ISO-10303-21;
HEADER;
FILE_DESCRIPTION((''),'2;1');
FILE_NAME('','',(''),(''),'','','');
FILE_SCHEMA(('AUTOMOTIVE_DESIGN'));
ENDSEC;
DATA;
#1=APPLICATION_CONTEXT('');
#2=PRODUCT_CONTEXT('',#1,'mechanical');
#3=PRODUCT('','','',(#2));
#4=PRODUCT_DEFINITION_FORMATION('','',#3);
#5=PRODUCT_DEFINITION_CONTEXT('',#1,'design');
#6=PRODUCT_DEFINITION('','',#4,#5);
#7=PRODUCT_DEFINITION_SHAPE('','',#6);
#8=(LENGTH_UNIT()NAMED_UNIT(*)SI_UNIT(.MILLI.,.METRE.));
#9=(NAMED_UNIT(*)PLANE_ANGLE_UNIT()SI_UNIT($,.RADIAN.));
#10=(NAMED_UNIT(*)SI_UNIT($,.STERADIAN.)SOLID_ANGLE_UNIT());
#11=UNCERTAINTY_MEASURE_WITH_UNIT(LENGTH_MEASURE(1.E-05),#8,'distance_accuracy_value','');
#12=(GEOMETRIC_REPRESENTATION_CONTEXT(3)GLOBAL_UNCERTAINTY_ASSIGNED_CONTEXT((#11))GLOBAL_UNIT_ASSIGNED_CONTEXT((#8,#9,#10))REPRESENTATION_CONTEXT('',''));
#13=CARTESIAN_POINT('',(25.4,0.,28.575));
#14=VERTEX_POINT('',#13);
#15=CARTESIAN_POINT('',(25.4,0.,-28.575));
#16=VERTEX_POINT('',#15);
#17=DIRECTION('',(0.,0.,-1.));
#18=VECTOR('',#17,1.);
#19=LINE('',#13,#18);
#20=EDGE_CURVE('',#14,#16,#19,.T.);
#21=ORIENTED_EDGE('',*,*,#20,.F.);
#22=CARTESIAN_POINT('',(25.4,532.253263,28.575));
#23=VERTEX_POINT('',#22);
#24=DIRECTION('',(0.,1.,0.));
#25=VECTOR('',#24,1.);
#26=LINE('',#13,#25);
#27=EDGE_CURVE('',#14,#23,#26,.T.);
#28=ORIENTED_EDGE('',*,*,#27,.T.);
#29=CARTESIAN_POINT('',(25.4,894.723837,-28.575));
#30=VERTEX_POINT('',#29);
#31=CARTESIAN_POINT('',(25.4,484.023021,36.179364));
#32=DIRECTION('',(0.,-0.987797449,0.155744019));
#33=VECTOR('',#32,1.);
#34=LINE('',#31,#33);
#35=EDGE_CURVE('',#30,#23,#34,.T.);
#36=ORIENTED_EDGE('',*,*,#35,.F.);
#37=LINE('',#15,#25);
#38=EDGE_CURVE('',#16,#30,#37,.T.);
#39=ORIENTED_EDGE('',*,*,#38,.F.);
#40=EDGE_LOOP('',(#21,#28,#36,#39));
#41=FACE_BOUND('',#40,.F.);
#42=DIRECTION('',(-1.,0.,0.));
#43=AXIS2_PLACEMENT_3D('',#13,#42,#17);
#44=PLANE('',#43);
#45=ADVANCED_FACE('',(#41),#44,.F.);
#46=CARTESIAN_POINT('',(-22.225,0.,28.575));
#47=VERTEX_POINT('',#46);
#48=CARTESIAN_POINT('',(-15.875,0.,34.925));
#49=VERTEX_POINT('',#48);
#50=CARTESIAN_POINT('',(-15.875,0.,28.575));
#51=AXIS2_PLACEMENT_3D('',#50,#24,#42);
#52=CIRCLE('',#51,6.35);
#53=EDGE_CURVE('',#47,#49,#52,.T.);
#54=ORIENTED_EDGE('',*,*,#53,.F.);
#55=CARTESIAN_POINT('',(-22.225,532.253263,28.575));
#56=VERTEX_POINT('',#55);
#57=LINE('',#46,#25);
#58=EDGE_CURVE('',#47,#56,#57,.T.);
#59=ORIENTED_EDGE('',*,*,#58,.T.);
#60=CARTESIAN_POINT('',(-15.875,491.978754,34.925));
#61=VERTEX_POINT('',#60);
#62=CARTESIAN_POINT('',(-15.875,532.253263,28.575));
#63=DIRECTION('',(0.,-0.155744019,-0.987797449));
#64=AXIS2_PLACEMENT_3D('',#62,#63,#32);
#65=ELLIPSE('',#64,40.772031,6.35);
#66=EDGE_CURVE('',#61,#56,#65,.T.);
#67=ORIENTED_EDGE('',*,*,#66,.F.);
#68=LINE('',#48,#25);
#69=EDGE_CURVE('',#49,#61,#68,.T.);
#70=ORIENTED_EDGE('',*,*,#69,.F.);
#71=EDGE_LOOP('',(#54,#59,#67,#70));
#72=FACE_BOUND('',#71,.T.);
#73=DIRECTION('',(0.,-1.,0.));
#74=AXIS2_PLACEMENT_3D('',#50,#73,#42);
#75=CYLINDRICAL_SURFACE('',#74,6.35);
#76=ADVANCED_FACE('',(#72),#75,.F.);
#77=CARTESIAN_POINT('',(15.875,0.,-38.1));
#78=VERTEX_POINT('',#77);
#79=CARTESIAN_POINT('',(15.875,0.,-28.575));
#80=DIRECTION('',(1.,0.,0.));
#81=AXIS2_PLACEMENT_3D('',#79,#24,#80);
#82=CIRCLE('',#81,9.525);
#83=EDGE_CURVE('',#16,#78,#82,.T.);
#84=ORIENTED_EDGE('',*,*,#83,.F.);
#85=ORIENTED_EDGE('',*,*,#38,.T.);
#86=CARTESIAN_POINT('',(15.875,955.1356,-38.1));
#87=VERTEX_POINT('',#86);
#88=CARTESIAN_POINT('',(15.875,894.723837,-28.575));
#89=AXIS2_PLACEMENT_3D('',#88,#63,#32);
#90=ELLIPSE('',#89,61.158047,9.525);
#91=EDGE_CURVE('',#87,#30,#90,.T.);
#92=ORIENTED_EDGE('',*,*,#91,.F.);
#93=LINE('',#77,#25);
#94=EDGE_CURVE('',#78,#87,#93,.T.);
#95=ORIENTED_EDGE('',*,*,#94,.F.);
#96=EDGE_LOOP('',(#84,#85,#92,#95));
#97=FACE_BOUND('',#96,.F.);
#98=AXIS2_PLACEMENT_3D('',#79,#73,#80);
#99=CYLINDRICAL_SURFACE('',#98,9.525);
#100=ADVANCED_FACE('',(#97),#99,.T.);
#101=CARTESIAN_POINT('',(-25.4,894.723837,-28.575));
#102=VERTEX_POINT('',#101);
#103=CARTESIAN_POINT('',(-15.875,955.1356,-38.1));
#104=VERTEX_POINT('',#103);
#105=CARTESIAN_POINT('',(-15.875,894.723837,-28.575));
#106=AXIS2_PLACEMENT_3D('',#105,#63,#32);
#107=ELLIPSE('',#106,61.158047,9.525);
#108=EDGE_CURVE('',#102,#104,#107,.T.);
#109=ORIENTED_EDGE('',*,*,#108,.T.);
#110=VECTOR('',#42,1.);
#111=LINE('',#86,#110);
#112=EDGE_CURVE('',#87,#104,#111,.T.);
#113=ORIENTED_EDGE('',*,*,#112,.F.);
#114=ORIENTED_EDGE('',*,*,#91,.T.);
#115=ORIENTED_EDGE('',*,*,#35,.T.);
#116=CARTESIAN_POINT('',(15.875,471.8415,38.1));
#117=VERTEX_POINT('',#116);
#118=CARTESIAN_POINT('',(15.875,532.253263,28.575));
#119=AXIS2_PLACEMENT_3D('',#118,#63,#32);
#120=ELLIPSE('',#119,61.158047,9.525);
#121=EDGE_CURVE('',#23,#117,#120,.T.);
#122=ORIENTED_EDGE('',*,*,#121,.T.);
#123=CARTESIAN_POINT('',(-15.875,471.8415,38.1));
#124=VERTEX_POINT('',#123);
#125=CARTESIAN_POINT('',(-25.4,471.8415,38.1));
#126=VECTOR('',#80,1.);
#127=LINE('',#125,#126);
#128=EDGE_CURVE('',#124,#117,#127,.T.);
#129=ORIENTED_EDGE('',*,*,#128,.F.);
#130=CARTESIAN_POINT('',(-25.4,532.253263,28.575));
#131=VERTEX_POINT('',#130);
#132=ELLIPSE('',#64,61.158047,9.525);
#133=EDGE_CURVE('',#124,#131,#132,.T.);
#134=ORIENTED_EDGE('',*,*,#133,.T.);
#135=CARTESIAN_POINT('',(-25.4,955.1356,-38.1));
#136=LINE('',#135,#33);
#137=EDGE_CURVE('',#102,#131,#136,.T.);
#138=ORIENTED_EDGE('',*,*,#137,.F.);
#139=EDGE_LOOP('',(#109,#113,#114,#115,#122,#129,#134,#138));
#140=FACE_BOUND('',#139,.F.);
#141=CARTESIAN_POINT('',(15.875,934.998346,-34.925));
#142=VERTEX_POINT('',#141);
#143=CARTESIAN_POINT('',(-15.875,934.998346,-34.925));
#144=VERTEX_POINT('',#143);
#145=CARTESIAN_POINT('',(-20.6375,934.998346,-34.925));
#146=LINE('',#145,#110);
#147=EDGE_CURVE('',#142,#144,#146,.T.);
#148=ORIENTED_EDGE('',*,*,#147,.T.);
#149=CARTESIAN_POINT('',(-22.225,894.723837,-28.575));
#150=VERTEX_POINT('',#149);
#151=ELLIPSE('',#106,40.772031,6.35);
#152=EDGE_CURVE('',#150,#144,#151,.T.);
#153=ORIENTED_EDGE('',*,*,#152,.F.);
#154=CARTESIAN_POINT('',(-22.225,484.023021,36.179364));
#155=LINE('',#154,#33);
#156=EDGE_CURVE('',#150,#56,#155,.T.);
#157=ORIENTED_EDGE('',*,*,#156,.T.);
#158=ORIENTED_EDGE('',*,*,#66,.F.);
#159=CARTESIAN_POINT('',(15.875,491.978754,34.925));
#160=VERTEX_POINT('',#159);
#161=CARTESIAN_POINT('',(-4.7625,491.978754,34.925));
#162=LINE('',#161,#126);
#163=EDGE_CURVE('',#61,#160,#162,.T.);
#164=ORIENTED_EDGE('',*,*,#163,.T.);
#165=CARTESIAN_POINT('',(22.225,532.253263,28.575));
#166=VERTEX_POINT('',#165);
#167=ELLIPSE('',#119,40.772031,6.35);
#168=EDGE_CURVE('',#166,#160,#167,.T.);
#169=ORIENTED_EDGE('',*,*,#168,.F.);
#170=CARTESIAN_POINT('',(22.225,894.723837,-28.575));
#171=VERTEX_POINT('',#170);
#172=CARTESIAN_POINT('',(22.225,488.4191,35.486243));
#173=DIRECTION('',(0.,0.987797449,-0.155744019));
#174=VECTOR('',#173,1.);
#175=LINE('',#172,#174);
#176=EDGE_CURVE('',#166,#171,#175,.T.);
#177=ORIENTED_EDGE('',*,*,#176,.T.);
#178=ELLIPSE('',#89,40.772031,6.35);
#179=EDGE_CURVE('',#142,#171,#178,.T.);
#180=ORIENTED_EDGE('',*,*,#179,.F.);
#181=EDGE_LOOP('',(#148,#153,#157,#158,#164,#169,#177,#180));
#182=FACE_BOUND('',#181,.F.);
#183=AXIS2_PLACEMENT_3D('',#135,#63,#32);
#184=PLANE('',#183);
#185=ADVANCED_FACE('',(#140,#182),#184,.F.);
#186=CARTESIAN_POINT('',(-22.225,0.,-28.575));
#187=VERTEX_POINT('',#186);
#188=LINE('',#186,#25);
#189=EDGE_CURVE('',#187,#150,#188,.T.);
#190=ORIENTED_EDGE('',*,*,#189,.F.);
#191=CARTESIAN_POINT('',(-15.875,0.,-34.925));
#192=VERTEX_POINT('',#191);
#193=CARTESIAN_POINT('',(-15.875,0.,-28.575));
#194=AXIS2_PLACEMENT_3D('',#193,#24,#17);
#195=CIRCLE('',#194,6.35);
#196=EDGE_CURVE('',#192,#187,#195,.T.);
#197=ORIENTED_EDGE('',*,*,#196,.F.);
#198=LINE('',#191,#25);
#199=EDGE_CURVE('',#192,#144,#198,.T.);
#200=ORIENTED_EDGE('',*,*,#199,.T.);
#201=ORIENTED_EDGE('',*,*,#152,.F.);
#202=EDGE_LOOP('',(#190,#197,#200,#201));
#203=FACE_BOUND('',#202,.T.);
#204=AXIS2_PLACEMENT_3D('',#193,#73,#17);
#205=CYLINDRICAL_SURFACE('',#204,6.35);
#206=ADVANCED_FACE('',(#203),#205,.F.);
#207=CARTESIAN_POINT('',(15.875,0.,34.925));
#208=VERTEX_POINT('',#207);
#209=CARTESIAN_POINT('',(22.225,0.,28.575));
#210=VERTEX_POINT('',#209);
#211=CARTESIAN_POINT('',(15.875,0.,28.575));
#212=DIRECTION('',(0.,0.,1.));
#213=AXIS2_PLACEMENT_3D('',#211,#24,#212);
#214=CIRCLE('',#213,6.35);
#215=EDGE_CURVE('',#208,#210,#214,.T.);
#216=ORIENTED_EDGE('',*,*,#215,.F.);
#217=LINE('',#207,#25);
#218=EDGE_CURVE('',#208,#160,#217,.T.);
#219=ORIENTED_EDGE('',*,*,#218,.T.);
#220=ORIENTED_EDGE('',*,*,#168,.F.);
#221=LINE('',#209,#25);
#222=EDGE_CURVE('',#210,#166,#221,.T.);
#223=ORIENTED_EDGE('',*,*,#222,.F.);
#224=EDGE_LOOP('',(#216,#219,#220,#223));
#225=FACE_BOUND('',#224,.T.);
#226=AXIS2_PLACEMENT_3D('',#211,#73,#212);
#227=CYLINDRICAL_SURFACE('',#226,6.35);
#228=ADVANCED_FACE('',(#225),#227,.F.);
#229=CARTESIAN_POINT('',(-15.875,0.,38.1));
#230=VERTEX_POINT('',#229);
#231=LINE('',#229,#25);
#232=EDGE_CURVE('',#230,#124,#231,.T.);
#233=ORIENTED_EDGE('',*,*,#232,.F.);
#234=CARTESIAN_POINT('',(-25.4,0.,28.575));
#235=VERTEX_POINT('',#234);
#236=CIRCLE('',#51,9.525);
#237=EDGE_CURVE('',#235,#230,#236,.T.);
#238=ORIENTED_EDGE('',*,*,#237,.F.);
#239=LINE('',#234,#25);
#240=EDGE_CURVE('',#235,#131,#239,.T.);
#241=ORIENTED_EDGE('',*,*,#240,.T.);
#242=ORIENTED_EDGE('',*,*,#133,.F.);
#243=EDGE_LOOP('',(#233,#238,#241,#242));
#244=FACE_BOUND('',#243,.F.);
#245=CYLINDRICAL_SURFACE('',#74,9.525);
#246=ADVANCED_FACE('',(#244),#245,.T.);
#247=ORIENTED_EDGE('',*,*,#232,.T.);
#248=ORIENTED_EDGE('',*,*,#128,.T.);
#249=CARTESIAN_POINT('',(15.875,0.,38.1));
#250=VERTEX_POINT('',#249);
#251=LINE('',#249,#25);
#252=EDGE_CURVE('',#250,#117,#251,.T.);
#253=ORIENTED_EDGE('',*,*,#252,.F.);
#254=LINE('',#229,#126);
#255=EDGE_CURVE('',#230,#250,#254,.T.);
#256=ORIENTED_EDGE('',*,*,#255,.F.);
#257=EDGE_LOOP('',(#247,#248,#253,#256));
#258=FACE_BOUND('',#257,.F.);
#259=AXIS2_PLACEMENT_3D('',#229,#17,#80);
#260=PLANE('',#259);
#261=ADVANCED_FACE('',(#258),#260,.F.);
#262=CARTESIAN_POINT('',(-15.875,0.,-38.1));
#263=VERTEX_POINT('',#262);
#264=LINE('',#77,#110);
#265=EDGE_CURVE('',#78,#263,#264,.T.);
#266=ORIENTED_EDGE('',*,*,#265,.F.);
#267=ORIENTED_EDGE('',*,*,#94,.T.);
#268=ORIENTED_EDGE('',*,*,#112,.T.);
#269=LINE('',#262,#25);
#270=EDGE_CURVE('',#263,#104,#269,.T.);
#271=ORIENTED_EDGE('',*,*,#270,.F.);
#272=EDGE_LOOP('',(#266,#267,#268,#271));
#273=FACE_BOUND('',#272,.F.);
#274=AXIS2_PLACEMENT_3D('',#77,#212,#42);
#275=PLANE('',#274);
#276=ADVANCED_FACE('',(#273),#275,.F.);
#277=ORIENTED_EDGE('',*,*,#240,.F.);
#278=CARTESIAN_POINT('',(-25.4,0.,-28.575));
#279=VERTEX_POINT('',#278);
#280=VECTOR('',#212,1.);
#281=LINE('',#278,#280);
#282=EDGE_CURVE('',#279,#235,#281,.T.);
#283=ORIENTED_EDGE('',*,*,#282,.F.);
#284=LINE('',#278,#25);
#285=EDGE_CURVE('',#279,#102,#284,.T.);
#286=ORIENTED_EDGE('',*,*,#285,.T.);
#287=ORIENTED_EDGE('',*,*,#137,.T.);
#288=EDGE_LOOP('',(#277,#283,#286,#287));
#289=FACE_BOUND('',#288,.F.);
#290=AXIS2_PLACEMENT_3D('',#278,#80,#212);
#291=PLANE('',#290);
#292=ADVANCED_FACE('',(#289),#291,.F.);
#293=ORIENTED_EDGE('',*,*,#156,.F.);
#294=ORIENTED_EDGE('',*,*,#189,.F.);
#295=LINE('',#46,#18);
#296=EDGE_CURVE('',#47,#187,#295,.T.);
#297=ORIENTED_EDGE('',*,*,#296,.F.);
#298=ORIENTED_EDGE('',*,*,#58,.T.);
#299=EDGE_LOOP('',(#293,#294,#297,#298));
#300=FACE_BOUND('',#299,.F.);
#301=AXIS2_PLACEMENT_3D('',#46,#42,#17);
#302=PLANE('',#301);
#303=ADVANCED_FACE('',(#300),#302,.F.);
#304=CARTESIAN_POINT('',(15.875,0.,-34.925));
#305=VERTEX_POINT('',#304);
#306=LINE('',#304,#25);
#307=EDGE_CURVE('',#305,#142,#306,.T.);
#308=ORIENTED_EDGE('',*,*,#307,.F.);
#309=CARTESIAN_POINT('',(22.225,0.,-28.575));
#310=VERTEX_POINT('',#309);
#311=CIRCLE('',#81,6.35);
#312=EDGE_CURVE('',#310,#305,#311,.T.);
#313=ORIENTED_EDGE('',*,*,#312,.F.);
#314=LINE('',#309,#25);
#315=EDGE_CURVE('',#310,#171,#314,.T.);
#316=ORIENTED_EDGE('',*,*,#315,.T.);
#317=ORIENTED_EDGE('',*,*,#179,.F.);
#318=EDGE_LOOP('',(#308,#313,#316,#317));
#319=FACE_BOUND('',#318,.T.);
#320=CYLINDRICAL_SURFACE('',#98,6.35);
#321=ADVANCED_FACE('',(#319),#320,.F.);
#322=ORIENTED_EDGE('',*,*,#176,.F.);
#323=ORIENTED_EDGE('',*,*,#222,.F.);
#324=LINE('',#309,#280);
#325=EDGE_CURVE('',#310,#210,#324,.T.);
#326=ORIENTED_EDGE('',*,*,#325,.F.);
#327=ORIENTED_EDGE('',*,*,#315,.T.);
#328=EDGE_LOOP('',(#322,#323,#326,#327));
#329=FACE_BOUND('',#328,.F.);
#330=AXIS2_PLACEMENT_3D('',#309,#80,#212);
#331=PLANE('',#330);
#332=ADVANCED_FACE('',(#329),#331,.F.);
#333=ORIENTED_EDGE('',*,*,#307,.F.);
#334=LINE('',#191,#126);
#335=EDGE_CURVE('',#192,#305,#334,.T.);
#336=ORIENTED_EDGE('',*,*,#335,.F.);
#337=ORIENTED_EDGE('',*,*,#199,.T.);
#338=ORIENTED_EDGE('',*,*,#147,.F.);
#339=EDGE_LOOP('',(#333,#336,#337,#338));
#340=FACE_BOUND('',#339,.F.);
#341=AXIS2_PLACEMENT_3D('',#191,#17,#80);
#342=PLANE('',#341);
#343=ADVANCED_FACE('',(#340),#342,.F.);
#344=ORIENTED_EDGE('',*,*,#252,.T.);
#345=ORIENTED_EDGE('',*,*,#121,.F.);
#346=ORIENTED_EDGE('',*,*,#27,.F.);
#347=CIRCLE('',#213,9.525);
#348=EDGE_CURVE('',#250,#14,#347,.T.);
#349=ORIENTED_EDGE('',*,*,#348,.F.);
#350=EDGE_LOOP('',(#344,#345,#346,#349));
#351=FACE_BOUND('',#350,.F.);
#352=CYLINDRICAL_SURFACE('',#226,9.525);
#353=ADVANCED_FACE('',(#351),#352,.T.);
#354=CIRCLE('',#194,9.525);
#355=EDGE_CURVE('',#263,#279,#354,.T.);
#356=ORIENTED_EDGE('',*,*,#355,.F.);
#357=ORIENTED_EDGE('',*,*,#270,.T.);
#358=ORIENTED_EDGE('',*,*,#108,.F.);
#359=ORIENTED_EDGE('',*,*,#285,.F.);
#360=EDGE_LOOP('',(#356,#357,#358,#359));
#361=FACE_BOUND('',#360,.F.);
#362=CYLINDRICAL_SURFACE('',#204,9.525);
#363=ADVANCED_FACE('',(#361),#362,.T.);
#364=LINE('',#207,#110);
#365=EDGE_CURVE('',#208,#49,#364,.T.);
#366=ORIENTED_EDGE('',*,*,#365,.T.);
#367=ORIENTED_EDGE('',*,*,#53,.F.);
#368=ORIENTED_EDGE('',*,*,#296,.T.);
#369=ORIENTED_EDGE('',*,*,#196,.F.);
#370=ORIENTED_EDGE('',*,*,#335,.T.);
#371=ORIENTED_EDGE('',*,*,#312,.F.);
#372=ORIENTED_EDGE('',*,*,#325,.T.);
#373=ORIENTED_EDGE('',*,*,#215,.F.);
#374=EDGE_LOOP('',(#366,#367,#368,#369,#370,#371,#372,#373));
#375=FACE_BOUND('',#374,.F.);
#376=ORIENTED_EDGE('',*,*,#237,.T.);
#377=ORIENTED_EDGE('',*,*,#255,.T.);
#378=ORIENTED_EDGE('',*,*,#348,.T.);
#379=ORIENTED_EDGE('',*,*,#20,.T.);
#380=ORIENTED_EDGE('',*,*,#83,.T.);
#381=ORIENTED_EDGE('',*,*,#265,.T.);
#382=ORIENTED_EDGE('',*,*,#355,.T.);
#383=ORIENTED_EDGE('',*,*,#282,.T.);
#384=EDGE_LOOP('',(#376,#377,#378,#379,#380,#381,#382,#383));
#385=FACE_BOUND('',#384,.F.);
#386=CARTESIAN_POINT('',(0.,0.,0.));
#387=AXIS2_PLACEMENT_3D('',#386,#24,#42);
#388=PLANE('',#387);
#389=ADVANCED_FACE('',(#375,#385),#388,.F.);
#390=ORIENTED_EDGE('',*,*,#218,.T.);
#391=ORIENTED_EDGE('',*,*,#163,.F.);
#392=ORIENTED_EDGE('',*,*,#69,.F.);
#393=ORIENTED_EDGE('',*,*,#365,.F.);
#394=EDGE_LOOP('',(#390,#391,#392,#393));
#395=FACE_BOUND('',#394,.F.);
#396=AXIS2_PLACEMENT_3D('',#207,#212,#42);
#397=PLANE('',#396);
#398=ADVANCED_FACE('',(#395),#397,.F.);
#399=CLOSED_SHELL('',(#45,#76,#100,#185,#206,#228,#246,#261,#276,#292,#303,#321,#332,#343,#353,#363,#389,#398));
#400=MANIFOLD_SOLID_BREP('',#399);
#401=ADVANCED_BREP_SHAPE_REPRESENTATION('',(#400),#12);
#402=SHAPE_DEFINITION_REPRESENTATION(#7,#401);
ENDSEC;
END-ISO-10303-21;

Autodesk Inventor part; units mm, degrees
ref_plane "YZ Plane" through (0, 0, 0) normal (1, 0, 0) x (0, 1, 0)
ref_plane "XZ Plane" through (0, 0, 0) normal (0, 1, 0) x (-1, 0, 0)
ref_plane "XY Plane" through (0, 0, 0) normal (0, 0, 1) x (1, 0, 0)
sketch "Sketch1" plane through (0, 0, 0) normal (0, 1, 0) x (-1, 0, 0)
  line L0 (15.875, 38.1) -> (-15.875, 38.1)
  line L1 (-25.4, 28.575) -> (-25.4, -28.575)
  line L2 (-15.875, -38.1) -> (15.875, -38.1)
  line L3 (25.4, -28.575) -> (25.4, 28.575)
  line L4 (25.4, 38.1) -> (-25.4, -38.1) construction
  line L5 (-25.4, 38.1) -> (25.4, -38.1) construction
  arc A0 (15.875, -38.1) -> (25.4, -28.575) centre (15.875, -28.575) ccw
  arc A1 (25.4, 28.575) -> (15.875, 38.1) centre (15.875, 28.575) ccw
  arc A2 (-15.875, 38.1) -> (-25.4, 28.575) centre (-15.875, 28.575) ccw
  arc A3 (-25.4, -28.575) -> (-15.875, -38.1) centre (-15.875, -28.575) ccw
  line L6 (15.875, -34.925) -> (-15.875, -34.925)
  arc A4 (-22.225, -28.575) -> (-15.875, -34.925) centre (-15.875, -28.575) ccw
  line L7 (-22.225, -28.575) -> (-22.225, 28.575)
  arc A5 (-15.875, 34.925) -> (-22.225, 28.575) centre (-15.875, 28.575) ccw
  line L8 (-15.875, 34.925) -> (15.875, 34.925)
  arc A6 (22.225, 28.575) -> (15.875, 34.925) centre (15.875, 28.575) ccw
  line L9 (22.225, 28.575) -> (22.225, -28.575)
  arc A7 (15.875, -34.925) -> (22.225, -28.575) centre (15.875, -28.575) ccw
  point P0 (0, 0)
  dimension "d0" = 76.2
  dimension "d1" = 50.8
  dimension "d2" = 9.525
  dimension "d3" = 3.175
extrude "Extrusion1" add sketch "Sketch1" along normal blind 955.1356
sketch "Sketch2" plane through (-25.4, 0, -28.575) normal (-1, 0, 0) x (0, 0, 1)
  line L0 (0, 955.1356) -> (-9.525, 955.1356) projected
  line L1 (-9.525, 955.1356) -> (66.675, 471.8415)
  line L2 (66.675, 0) -> (66.675, 955.1356) projected
  line L3 (66.675, 471.8415) -> (66.675, 955.1356)
  line L4 (66.675, 955.1356) -> (-9.525, 955.1356)
  line L5 (-9.525, 0) -> (-9.525, 955.1356) projected
  point P0 (28.575, 0)
  dimension "d6" = 8.96
extrude "Extrusion2" cut sketch "Sketch2" against normal through all
equation "\"d0\" = stockWidth"
equation "\"d1\" = stockHeight"
equation "\"d2\" = stockRad"
equation "\"d3\" = stockGuage"
equation "\"d4\" = supVertLen"
equation "\"d6\" = sup2Ang"
equation "\"height\" = 203.2"
equation "\"shaftDiam\" = 6.35"
equation "\"shaftSpace\" = 1.5875"
equation "\"stageSpace\" = 2.54"
equation "\"stageAngle\" = 15deg"
equation "\"stockHeight\" = 50.8"
equation "\"stockWidth\" = 76.2"
equation "\"stockRad\" = 9.525"
equation "\"stockGuage\" = 3.175"
equation "\"groundActu\" = 304.8"
equation "\"baseWidth\" = 1066.8"
equation "\"baseDepth\" = 254"
equation "\"capThickness\" = 3.175"
equation "\"sup1Len\" = 660.4"
equation "\"sup1Ang\" = 22.619865deg"
equation "\"sup2Len\" = 2079.37366"
equation "\"sup2Ang\" = 8.95995deg"
equation "\"supVertLen\" = 955.13561"
equation "\"supSideAng\" = 19.376933deg"
equation "\"supSideLen\" = 1531.12879"
equation "\"FlangeDiam\" = 12.7"
equation "\"bearingDiam\" = 9.5504"
equation "\"FlangeDepth\" = 1.5875"
equation "\"smallFilet\" = 0.39687"
equation "\"thickness\" = 12.7"
equation "\"ringDiam\" = 96.46608"
properties part number "vert support" material "Aluminum 6061"
